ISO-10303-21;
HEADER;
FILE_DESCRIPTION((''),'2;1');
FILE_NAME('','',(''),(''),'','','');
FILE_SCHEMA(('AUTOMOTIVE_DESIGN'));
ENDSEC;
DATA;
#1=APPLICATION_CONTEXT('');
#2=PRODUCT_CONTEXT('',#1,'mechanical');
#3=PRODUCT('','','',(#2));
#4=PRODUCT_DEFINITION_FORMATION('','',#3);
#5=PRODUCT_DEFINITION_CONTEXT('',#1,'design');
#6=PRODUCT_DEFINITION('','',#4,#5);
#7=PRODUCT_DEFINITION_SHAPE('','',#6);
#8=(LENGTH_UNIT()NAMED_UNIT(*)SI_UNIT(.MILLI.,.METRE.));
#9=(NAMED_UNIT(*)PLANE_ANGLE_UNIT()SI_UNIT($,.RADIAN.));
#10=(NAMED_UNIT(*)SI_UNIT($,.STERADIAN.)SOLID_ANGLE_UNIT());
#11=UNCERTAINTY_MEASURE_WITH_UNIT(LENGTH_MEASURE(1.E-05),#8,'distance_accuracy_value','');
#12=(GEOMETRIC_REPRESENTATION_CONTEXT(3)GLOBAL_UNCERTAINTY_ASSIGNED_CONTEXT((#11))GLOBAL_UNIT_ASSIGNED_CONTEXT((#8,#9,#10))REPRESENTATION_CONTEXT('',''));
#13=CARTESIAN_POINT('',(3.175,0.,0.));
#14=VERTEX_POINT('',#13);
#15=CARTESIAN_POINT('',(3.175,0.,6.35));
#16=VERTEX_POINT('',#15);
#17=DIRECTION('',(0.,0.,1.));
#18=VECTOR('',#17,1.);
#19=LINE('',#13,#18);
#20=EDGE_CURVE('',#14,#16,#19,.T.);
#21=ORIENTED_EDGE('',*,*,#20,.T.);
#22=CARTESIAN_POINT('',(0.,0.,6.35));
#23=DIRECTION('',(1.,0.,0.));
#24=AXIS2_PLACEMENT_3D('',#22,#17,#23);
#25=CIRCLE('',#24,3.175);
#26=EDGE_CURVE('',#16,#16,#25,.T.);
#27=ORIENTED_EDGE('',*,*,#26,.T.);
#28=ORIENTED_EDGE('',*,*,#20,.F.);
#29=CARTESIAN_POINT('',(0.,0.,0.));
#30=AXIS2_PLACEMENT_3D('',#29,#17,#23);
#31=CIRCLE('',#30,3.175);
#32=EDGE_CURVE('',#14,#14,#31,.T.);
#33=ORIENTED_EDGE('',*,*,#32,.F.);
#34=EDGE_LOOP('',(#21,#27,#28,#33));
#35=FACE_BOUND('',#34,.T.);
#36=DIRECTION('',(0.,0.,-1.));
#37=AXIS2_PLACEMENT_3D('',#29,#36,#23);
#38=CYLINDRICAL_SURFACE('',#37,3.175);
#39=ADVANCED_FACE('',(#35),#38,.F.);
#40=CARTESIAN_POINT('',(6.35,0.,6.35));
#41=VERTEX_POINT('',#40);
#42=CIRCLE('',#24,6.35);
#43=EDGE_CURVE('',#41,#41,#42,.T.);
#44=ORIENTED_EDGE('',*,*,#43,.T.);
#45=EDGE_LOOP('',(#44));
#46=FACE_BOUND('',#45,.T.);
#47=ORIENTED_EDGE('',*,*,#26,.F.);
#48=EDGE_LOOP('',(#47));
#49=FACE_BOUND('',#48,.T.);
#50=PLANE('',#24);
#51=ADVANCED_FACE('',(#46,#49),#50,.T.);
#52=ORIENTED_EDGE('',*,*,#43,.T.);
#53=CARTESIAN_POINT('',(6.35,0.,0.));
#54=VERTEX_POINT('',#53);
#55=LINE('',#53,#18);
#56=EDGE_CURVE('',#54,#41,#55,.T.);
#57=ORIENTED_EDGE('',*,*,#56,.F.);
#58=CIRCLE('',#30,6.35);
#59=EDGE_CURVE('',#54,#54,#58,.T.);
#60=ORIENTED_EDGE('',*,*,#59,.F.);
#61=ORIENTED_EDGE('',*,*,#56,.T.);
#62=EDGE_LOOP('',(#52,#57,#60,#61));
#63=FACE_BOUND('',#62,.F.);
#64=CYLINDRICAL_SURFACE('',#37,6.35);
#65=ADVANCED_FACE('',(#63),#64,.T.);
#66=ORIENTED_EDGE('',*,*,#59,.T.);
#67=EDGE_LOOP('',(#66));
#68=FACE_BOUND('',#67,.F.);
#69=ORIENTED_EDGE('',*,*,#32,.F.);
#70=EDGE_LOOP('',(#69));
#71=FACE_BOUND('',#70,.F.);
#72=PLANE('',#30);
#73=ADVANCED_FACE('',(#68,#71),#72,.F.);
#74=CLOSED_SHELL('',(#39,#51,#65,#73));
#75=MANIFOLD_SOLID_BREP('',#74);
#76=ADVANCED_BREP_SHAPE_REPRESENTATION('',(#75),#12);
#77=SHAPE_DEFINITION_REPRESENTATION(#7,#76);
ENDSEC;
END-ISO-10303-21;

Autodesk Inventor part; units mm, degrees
ref_plane "YZ Plane" through (0, 0, 0) normal (1, 0, 0) x (0, 1, 0)
ref_plane "XZ Plane" through (0, 0, 0) normal (0, 1, 0) x (-1, 0, 0)
ref_plane "XY Plane" through (0, 0, 0) normal (0, 0, 1) x (1, 0, 0)
sketch "Sketch1" plane through (0, 0, 0) normal (0, 0, 1) x (1, 0, 0)
  circle A0 centre (0, 0) radius 3.175
  circle A1 centre (0, 0) radius 6.35
  dimension "d0" = 6.35
  dimension "d1" = 3.175
extrude "Extrusion1" add sketch "Sketch1" along normal blind 6.35
properties part number "bearing"
